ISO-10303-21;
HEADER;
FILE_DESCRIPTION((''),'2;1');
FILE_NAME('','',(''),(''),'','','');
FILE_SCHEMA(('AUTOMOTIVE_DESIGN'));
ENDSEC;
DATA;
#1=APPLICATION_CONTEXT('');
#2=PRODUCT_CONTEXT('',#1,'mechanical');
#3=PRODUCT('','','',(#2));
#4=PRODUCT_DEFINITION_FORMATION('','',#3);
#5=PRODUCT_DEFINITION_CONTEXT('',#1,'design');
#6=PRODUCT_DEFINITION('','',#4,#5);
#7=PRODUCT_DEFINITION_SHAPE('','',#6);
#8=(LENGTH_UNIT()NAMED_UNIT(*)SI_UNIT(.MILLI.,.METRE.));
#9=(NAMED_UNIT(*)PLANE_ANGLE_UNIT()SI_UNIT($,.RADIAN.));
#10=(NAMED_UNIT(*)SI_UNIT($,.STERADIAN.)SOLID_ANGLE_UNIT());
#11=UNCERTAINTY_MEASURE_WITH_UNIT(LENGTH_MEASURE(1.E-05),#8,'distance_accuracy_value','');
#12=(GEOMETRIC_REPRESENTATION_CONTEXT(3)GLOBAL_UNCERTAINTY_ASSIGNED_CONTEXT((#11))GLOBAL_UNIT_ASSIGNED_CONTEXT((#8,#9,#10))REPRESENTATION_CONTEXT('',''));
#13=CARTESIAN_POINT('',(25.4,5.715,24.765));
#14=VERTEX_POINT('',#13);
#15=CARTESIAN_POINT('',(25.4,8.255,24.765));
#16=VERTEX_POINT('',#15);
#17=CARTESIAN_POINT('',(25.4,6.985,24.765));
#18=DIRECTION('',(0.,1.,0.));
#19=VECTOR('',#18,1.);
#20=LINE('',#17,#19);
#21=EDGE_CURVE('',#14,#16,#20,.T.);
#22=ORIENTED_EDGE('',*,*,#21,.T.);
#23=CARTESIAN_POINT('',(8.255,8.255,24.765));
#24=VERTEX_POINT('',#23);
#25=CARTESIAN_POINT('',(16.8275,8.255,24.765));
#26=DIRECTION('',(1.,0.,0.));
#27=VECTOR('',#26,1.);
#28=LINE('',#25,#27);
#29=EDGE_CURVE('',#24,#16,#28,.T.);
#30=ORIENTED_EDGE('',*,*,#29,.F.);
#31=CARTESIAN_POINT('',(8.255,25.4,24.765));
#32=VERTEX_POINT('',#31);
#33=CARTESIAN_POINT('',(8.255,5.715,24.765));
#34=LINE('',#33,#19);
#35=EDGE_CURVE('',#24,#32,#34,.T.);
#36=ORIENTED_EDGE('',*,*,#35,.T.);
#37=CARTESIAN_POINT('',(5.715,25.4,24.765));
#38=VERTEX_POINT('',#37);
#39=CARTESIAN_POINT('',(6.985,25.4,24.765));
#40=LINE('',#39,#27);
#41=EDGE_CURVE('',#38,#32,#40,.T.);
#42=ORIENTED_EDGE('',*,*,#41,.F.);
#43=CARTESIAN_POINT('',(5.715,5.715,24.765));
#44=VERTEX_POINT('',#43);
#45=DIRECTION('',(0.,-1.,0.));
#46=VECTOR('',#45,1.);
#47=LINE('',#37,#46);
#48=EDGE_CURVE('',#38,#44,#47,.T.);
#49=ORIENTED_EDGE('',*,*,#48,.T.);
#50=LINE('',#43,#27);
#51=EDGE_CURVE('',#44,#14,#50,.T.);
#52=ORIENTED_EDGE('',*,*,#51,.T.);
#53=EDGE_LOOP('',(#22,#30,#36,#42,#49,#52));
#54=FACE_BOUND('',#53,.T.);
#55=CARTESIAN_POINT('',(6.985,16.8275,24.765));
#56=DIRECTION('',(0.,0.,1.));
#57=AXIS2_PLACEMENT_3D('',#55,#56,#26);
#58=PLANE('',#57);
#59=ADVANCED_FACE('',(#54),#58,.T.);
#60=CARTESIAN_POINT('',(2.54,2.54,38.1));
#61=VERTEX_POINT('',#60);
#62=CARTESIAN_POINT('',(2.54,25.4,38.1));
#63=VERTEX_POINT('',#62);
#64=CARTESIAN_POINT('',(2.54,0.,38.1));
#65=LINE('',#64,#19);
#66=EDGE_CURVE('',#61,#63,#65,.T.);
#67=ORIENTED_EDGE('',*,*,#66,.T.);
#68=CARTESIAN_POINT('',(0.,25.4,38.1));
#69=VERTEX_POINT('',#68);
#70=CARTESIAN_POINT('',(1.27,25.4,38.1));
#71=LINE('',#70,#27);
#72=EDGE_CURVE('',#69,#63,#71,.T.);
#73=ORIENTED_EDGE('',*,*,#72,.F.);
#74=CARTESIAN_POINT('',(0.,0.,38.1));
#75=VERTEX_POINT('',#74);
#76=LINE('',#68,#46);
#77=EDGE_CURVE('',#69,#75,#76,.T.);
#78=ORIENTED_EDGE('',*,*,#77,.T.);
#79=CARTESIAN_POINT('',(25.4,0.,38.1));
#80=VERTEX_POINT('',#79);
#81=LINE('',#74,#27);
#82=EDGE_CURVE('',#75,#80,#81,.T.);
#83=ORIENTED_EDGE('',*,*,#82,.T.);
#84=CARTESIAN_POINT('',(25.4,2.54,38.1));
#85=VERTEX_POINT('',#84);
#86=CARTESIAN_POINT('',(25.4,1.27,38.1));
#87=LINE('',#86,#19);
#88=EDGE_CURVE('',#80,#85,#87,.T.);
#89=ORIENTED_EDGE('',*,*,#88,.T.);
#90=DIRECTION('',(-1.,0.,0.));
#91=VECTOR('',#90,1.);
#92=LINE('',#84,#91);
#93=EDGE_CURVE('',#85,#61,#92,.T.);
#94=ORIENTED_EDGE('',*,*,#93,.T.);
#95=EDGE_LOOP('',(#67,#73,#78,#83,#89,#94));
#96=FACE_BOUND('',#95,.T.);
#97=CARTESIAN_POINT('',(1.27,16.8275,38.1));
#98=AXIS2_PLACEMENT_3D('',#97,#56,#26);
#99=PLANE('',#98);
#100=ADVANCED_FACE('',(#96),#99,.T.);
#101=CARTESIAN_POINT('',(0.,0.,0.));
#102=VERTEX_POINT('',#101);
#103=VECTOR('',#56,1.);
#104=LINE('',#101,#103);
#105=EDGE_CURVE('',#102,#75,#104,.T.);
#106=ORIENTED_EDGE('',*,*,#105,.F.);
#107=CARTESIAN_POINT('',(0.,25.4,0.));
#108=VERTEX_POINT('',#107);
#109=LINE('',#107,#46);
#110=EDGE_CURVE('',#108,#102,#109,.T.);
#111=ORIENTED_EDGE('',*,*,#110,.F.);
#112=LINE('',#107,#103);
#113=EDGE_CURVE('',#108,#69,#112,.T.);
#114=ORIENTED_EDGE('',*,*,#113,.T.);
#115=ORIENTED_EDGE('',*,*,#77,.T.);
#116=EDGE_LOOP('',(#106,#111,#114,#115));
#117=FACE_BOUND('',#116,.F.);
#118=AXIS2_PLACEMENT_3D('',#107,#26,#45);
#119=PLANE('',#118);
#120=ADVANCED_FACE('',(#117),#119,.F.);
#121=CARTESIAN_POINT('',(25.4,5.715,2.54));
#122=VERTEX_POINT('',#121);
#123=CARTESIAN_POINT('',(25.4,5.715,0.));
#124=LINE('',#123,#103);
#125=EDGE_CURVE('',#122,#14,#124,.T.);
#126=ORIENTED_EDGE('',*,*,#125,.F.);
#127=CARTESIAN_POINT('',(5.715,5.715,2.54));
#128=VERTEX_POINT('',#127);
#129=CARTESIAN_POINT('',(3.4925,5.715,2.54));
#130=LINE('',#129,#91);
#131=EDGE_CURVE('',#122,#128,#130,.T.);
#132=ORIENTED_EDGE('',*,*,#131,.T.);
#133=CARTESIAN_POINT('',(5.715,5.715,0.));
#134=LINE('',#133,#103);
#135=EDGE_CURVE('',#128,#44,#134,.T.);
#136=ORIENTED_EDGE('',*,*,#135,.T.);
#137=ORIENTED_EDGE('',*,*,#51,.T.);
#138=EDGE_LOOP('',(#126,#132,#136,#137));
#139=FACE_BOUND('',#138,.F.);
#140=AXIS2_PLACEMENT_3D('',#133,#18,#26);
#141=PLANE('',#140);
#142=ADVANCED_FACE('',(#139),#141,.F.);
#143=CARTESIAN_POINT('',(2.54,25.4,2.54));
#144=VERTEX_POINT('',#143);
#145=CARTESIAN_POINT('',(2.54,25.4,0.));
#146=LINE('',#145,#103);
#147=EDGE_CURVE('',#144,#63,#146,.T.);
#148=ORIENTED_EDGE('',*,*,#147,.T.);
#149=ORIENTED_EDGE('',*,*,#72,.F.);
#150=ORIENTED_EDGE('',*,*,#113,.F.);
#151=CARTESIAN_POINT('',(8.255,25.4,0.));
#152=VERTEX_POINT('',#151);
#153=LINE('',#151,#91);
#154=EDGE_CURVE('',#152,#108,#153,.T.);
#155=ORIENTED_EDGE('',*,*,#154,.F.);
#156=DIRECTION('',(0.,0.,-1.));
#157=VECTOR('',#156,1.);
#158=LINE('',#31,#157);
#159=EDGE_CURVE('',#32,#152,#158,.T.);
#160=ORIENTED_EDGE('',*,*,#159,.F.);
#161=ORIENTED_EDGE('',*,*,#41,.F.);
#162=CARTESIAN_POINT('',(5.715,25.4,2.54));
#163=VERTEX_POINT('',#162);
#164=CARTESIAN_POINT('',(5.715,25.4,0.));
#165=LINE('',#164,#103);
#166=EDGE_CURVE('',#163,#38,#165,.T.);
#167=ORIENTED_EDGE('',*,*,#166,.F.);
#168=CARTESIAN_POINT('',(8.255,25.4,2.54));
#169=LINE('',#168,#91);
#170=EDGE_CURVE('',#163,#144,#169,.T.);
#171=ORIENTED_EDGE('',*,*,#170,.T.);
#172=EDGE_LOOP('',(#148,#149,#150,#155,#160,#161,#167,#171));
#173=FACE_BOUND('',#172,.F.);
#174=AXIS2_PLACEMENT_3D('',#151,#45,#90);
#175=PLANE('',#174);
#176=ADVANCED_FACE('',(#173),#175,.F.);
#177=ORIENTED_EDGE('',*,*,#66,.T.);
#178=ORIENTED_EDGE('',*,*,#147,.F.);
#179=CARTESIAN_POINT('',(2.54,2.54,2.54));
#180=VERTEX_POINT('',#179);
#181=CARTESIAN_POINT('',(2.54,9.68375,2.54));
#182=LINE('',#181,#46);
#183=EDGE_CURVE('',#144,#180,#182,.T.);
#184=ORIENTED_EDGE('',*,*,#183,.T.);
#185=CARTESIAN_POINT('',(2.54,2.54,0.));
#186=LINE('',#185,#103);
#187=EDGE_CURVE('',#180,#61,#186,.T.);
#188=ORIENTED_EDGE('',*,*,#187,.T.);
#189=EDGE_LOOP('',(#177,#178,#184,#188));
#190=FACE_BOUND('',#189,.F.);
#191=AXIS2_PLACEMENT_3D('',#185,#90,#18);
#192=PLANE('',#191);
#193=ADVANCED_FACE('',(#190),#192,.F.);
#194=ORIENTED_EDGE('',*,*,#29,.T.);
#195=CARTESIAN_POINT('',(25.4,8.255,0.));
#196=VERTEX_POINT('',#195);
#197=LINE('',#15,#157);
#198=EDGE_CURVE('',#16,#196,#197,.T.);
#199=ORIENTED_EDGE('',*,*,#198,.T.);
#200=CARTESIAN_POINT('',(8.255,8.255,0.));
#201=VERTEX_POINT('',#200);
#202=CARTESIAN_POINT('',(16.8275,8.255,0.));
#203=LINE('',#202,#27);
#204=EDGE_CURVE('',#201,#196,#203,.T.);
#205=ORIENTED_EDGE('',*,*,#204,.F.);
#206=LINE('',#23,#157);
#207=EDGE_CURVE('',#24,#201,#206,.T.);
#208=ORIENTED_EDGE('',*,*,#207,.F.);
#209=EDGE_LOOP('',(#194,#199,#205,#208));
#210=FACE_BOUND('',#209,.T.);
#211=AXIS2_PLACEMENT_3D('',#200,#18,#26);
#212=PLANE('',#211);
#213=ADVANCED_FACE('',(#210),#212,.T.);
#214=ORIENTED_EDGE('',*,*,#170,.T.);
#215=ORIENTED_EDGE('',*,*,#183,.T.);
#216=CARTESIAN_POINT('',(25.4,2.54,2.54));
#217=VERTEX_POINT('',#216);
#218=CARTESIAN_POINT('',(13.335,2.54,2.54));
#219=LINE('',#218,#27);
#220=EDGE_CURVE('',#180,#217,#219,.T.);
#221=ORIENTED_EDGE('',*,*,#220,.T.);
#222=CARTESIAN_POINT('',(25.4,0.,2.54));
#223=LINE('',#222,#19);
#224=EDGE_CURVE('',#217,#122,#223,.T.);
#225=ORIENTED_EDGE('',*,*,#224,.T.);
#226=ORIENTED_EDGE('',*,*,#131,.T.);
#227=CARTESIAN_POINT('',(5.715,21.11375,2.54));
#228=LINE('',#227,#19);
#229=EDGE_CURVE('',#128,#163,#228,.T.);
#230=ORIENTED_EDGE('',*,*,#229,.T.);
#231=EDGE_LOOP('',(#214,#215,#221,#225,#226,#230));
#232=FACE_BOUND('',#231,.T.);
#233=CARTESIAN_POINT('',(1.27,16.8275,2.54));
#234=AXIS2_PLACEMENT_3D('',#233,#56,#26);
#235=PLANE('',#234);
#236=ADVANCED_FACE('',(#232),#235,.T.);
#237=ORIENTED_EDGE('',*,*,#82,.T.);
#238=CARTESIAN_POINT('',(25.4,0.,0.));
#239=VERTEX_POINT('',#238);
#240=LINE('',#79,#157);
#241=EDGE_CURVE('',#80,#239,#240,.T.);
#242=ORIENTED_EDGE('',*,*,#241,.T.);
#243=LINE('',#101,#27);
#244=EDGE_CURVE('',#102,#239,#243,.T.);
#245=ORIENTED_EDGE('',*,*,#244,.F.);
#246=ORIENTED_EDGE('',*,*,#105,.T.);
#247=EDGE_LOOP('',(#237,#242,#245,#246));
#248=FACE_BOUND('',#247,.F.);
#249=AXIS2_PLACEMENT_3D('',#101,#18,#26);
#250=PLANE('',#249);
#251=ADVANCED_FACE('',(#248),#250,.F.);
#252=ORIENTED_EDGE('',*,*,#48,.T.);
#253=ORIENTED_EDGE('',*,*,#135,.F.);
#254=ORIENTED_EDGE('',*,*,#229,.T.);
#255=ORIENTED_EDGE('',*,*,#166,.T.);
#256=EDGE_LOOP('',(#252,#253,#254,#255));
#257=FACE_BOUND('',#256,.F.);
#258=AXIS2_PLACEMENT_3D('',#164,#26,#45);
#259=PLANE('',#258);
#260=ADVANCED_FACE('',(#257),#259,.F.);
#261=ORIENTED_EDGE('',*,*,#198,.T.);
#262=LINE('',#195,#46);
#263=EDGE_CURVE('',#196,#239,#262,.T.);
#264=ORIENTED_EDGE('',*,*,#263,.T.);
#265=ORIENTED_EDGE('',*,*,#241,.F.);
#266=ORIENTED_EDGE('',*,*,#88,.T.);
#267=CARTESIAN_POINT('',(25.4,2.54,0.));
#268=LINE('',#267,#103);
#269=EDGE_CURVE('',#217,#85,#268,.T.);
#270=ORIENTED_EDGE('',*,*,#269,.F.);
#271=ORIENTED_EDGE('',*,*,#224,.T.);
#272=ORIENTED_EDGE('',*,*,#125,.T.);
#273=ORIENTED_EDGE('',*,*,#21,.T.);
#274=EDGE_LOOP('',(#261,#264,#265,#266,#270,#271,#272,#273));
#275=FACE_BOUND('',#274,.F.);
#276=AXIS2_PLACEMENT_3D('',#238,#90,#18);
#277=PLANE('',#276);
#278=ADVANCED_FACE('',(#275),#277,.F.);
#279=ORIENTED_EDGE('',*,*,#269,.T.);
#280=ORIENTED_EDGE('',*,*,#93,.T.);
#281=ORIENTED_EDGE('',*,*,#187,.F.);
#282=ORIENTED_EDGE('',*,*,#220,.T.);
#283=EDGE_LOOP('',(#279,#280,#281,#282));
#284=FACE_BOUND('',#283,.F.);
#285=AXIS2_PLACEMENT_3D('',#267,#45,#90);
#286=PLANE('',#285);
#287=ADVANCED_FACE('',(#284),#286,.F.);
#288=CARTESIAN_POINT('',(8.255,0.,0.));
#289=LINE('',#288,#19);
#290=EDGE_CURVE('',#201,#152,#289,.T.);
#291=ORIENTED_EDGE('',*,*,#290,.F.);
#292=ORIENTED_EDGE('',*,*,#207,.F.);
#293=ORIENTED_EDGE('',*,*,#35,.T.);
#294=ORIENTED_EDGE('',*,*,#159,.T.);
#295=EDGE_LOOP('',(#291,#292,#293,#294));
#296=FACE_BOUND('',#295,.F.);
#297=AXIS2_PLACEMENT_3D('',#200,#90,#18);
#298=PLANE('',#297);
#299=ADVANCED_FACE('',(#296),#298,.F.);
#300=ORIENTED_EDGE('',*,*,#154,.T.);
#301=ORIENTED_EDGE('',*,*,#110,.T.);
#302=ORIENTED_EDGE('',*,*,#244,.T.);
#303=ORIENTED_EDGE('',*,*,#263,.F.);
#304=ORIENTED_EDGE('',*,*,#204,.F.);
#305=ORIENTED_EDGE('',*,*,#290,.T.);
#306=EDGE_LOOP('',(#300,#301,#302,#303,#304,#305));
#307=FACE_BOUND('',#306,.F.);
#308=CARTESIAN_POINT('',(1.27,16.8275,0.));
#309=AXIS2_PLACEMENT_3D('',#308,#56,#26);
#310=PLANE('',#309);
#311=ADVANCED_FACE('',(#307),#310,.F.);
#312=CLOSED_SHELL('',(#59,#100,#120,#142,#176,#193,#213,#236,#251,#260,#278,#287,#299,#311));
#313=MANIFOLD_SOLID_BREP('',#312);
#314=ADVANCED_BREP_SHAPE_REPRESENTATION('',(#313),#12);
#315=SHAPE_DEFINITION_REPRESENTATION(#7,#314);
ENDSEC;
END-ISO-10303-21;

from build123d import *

# Parameters (mm, degrees)
F0_W     = 2.54
F0_H     = 17.145
F0_W_2   = 3.175
F0_H_2   = 2.54
F0_H_3   = 3.175
F0_W_3   = 17.145
F1_DEPTH = 2.54
F2_DEPTH = 24.765
F3_DEPTH = 38.1


with BuildPart() as f1:
    # F0 (on Top) → F1 (new body)
    with BuildSketch(Plane.XY):
        with Locations((1.27, 16.8275)):
            Rectangle(F0_W, F0_H)
        with Locations((4.1275, 16.8275)):
            Rectangle(F0_W_2, F0_H)
        with Locations((6.985, 16.8275)):
            Rectangle(F0_W, F0_H)
        with Locations((1.27, 6.985)):
            Rectangle(F0_W, F0_H_2)
        with Locations((1.27, 4.1275)):
            Rectangle(F0_W, F0_H_3)
        with Locations((1.27, 1.27)):
            Rectangle(F0_W, F0_H_2)
        with Locations((4.1275, 1.27)):
            Rectangle(F0_W_2, F0_H_2)
        with Locations((4.1275, 4.1275)):
            Rectangle(F0_W_2, F0_H_3)
        with Locations((4.1275, 6.985)):
            Rectangle(F0_W_2, F0_H_2)
        with Locations((6.985, 4.1275)):
            Rectangle(F0_W, F0_H_3)
        with Locations((6.985, 6.985)):
            Rectangle(F0_W, F0_H_2)
        with Locations((6.985, 1.27)):
            Rectangle(F0_W, F0_H_2)
        with Locations((16.8275, 1.27)):
            Rectangle(F0_W_3, F0_H_2)
        with Locations((16.8275, 4.1275)):
            Rectangle(F0_W_3, F0_H_3)
        with Locations((16.8275, 6.985)):
            Rectangle(F0_W_3, F0_H_2)
    extrude(amount=F1_DEPTH)

    # F0 (on Top) → F2 (join)
    with BuildSketch(Plane.XY):
        with Locations((6.985, 16.8275)):
            Rectangle(F0_W, F0_H)
        with Locations((6.985, 6.985)):
            Rectangle(F0_W, F0_H_2)
        with Locations((16.8275, 6.985)):
            Rectangle(F0_W_3, F0_H_2)
    extrude(amount=F2_DEPTH)

    # F0 (on Top) → F3 (join)
    with BuildSketch(Plane.XY):
        with Locations((1.27, 16.8275)):
            Rectangle(F0_W, F0_H)
        with Locations((1.27, 6.985)):
            Rectangle(F0_W, F0_H_2)
        with Locations((1.27, 4.1275)):
            Rectangle(F0_W, F0_H_3)
        with Locations((1.27, 1.27)):
            Rectangle(F0_W, F0_H_2)
        with Locations((4.1275, 1.27)):
            Rectangle(F0_W_2, F0_H_2)
        with Locations((6.985, 1.27)):
            Rectangle(F0_W, F0_H_2)
        with Locations((16.8275, 1.27)):
            Rectangle(F0_W_3, F0_H_2)
    extrude(amount=F3_DEPTH)


solid = f1.part
